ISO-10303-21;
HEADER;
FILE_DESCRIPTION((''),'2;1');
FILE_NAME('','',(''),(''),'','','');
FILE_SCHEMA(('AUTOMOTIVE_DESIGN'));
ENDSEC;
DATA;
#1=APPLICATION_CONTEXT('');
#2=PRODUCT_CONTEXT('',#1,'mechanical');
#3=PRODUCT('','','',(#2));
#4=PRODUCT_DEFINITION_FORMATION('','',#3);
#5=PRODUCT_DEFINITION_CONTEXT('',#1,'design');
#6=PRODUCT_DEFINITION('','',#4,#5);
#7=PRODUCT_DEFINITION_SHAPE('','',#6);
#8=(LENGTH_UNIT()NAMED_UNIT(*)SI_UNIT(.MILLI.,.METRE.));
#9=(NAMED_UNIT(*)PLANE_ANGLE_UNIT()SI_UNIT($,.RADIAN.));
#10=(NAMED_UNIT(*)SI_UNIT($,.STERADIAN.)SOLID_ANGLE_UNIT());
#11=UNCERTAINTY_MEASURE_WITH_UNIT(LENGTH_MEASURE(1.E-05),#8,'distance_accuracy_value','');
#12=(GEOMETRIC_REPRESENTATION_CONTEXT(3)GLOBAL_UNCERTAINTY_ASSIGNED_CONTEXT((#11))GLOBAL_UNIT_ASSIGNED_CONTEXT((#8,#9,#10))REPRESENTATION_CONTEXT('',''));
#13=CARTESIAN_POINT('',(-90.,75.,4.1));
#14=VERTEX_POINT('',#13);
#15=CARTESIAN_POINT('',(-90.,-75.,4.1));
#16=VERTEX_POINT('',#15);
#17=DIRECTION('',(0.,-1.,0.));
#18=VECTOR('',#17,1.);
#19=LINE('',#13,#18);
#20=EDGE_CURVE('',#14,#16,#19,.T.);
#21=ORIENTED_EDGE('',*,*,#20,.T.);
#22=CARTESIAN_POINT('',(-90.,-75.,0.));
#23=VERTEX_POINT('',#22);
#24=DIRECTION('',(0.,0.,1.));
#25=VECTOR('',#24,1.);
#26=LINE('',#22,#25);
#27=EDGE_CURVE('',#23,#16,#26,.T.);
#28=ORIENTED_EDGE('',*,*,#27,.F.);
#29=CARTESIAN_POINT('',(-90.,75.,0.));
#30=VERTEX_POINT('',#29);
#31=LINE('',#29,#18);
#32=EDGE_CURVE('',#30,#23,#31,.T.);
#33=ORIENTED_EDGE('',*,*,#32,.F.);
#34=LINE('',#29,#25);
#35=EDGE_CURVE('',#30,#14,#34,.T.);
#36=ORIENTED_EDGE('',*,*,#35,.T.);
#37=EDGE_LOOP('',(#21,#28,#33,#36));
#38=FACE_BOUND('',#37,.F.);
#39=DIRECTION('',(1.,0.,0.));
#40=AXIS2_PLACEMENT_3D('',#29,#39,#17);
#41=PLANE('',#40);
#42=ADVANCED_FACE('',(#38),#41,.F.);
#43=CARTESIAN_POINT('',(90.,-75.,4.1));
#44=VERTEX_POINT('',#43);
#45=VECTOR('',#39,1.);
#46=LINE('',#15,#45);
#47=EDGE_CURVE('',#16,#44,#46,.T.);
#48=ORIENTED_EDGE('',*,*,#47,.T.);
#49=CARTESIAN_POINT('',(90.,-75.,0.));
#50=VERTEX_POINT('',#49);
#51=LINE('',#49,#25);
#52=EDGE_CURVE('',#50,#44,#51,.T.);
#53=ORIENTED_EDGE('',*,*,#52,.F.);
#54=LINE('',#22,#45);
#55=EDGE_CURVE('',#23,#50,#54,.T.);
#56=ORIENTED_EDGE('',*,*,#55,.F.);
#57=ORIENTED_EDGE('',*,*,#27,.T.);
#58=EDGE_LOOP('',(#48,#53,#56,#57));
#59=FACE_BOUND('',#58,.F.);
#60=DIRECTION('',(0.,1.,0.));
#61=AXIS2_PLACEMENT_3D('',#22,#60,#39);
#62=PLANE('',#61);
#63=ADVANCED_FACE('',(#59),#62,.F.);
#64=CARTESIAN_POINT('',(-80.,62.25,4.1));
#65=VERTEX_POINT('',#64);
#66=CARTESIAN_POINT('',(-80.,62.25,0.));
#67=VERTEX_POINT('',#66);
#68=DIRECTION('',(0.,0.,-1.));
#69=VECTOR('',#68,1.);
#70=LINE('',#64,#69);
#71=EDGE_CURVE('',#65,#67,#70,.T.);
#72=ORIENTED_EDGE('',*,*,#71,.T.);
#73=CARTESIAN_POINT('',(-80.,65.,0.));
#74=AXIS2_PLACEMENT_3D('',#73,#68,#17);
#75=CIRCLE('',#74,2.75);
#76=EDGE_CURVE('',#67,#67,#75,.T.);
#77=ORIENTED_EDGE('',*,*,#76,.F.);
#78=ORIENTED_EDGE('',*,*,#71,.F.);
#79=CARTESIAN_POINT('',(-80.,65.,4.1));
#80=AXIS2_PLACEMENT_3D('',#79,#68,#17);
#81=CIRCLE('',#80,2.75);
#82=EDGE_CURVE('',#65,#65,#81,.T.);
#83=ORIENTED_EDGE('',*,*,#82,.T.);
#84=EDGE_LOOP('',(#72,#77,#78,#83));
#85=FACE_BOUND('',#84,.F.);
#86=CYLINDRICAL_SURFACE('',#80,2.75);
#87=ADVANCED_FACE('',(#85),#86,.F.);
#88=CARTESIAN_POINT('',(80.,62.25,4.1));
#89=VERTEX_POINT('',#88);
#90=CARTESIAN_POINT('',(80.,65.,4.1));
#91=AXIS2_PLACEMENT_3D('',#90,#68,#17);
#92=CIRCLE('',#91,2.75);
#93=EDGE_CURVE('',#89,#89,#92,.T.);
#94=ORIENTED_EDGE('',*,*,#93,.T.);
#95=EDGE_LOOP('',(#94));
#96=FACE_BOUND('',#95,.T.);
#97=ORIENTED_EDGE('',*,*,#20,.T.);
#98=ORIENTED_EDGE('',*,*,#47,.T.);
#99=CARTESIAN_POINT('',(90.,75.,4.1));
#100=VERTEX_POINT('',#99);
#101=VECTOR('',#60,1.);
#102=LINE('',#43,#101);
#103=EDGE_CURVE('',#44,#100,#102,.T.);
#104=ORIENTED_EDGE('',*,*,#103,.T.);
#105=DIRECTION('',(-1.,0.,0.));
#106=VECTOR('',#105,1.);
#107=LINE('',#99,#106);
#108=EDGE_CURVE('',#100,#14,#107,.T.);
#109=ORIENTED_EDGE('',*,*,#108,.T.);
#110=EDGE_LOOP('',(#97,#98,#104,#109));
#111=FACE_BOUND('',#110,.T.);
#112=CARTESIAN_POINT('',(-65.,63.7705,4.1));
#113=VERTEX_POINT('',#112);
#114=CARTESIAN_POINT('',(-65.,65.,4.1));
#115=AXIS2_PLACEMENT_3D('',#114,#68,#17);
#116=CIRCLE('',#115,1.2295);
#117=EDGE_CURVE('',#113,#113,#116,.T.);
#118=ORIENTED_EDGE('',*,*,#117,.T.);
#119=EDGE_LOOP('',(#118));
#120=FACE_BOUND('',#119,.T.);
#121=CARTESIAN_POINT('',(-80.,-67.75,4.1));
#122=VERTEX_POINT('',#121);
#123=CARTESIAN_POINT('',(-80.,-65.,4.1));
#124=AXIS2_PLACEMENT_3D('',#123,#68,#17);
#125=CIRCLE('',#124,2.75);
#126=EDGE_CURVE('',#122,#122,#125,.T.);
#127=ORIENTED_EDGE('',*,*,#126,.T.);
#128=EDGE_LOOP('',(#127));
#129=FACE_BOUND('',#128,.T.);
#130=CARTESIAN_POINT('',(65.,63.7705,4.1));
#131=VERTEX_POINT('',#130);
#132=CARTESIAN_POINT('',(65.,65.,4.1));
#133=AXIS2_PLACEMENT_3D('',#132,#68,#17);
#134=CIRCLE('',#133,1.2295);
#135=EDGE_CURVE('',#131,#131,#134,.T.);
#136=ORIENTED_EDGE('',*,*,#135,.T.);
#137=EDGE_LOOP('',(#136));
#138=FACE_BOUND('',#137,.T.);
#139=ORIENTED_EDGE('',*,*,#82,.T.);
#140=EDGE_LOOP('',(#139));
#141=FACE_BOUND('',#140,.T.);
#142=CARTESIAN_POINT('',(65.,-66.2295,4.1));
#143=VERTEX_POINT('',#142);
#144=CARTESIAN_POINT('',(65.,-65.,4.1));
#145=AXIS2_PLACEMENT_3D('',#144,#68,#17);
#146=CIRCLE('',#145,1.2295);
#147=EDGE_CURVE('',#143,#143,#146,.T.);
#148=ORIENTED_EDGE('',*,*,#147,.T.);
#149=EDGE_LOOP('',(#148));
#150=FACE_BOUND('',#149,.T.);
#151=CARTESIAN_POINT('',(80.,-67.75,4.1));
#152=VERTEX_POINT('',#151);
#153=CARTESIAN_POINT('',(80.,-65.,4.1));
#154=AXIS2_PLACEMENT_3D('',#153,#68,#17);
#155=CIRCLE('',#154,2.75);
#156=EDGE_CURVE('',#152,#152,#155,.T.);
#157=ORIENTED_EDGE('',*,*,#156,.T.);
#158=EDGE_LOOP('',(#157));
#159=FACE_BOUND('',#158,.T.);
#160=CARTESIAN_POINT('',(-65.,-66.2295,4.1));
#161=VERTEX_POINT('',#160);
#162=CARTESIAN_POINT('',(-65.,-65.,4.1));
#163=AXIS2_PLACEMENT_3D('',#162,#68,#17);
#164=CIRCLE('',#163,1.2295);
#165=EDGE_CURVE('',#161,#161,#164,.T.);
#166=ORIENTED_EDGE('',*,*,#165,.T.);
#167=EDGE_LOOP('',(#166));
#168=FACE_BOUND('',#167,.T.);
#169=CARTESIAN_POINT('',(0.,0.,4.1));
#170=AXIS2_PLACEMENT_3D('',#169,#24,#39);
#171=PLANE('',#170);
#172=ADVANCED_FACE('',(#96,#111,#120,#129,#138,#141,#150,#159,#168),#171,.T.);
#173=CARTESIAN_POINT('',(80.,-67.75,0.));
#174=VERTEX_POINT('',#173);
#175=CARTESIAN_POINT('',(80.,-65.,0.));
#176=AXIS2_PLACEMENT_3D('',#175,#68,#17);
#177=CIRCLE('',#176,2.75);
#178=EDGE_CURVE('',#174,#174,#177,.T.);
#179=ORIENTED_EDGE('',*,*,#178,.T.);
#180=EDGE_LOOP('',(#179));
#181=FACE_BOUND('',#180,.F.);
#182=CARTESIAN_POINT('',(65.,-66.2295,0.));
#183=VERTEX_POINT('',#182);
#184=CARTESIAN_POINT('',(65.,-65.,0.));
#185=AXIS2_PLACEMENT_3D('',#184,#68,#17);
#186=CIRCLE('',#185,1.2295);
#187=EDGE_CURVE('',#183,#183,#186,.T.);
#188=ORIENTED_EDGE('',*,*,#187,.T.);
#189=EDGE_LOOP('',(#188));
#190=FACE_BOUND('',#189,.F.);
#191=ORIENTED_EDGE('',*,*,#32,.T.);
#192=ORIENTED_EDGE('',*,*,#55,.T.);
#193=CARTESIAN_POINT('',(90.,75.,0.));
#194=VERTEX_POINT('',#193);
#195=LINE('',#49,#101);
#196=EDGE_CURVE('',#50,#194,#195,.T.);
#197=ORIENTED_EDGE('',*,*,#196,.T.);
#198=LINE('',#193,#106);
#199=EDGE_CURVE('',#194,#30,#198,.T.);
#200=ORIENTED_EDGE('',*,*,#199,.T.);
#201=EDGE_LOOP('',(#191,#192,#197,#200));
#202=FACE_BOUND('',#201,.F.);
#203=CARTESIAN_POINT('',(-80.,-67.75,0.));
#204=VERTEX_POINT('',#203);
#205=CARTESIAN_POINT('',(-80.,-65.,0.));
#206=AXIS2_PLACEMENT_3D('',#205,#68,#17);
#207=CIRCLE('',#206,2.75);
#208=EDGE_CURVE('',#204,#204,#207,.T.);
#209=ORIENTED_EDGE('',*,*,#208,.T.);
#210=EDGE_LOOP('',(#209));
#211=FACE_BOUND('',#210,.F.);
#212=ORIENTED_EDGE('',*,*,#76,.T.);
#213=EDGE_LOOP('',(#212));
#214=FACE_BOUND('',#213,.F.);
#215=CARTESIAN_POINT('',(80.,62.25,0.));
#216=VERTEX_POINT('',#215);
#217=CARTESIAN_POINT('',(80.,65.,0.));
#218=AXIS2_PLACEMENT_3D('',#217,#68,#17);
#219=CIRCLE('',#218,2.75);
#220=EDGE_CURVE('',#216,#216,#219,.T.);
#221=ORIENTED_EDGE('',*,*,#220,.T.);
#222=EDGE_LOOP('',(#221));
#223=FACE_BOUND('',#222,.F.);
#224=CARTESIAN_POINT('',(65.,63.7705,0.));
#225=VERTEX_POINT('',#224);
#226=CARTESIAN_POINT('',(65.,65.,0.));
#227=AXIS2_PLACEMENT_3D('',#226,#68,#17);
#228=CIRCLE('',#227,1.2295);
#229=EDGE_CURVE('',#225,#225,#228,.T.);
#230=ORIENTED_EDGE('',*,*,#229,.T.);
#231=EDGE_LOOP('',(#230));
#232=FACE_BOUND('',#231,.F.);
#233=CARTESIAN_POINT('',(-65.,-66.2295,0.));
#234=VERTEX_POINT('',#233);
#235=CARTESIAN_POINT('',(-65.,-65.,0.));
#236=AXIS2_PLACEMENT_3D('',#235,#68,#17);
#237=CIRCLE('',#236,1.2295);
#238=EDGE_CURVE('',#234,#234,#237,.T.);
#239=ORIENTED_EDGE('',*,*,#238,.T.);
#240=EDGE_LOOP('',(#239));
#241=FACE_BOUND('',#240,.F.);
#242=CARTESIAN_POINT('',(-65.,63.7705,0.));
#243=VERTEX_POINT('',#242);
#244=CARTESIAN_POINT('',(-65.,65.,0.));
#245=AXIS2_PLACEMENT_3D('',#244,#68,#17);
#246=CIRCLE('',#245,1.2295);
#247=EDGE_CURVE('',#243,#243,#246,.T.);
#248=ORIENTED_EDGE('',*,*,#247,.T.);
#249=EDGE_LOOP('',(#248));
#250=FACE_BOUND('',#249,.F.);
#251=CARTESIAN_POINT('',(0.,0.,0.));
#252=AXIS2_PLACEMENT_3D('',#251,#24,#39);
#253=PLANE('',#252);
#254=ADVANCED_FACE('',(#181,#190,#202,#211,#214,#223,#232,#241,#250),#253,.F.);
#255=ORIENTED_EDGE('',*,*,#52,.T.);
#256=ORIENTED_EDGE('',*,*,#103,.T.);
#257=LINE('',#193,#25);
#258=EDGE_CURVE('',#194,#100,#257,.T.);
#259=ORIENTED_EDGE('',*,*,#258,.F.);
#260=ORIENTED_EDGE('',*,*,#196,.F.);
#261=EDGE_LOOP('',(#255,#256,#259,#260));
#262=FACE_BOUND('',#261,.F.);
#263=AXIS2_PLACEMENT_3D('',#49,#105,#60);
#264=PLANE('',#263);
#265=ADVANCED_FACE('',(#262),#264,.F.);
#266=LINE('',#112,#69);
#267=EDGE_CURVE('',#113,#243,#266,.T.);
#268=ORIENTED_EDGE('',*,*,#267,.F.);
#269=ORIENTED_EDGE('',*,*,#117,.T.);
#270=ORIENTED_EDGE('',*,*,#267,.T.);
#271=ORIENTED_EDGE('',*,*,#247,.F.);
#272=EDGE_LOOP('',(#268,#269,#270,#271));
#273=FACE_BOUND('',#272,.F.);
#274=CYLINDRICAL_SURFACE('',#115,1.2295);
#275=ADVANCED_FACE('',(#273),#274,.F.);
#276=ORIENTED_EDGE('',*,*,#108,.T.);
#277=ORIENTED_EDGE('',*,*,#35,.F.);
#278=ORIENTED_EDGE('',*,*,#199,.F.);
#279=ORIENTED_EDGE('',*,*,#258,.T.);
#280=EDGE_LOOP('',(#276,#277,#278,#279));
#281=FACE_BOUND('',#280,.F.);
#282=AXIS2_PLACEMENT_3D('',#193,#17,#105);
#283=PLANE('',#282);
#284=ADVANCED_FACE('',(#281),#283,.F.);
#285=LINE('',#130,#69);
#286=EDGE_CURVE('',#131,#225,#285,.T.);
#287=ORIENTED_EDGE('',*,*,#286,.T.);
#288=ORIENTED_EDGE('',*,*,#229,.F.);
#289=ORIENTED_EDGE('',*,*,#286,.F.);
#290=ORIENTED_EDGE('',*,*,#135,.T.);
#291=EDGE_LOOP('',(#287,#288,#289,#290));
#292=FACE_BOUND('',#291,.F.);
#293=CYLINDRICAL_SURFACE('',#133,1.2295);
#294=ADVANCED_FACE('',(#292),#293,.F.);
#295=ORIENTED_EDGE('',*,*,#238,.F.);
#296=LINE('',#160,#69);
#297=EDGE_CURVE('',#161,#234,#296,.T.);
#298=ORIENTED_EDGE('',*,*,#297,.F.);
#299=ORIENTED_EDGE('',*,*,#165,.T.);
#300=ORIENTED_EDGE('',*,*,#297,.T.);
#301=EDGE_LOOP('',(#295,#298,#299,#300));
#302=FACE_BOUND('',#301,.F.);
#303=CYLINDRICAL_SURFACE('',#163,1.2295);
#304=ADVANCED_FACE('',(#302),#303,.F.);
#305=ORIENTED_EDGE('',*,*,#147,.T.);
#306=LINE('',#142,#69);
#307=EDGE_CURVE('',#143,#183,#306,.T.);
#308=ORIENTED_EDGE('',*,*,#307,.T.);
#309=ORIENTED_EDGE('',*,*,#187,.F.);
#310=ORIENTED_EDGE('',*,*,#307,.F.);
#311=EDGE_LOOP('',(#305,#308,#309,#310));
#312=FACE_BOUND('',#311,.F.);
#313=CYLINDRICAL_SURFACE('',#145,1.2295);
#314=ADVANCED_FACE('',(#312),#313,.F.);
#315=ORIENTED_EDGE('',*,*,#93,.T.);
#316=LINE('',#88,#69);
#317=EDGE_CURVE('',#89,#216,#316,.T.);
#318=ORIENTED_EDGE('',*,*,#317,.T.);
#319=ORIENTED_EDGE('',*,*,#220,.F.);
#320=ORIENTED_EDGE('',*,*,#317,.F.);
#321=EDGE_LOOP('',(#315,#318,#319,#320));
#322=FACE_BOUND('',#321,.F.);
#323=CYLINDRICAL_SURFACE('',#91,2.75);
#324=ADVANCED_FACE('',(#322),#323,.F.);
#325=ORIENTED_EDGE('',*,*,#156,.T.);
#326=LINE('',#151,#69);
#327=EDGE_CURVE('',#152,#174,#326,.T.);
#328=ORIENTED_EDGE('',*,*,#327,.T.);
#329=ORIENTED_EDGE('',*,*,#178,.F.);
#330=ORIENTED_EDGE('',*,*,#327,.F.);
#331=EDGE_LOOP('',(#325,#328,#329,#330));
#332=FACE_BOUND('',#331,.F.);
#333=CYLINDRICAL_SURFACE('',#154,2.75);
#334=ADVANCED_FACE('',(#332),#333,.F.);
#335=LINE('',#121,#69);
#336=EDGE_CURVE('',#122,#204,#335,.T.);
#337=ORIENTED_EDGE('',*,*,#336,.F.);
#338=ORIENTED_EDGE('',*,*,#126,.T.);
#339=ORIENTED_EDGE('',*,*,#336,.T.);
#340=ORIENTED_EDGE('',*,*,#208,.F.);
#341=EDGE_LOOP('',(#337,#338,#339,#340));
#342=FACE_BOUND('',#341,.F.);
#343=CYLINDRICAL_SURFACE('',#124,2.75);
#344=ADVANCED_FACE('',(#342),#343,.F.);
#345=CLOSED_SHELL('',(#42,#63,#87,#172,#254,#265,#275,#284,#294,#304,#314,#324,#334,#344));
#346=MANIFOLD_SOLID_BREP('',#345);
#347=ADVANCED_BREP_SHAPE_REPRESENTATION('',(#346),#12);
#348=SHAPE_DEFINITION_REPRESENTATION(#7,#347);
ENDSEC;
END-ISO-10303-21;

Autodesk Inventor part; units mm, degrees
ref_plane "YZ Plane" through (0, 0, 0) normal (1, 0, 0) x (0, 1, 0)
ref_plane "XZ Plane" through (0, 0, 0) normal (0, 1, 0) x (-1, 0, 0)
ref_plane "XY Plane" through (0, 0, 0) normal (0, 0, 1) x (1, 0, 0)
sketch "Sketch1" plane through (0, 0, 0) normal (0, 0, 1) x (1, 0, 0)
  line L0 (-90, -75) -> (90, -75)
  line L1 (90, -75) -> (90, 75)
  line L2 (90, 75) -> (-90, 75)
  line L3 (-90, 75) -> (-90, -75)
  line L4 (-90, -75) -> (90, 75) construction
  line L5 (90, -75) -> (-90, 75) construction
  point P0 (0, 0)
  dimension "d0" = 180
  dimension "d1" = 150
extrude "Extrusion1" add sketch "Sketch1" along normal blind 4.1
sketch "Sketch2" plane through (0, 0, 4.1) normal (0, 0, 1) x (1, 0, 0)
  line L0 (90, 75) -> (-90, 75) projected
  line L1 (-90, 75) -> (-90, -75) projected
  line L2 (-90, -75) -> (90, -75) projected
  line L3 (90, -75) -> (90, 75) projected
  point P0 (0, 0)
  point P1 (-80, 65)
  point P2 (80, 65)
  point P3 (80, -65)
  point P4 (-80, -65)
  dimension "d4" = 10
  dimension "d5" = 10
  dimension "d6" = 10
  dimension "d7" = 10
hole "Hole1" at (-80, 65, 4.1) at (80, 65, 4.1) at (80, -65, 4.1) at (-80, -65, 4.1) direction (0, 0, -1) diameter 5.5 depth 9.1 tip angle 118 clearance for "Flat Head Machine Screw" size "M5" standard "Ansi Metric M Profile"
sketch "Sketch3" plane through (0, 0, 4.1) normal (0, 0, 1) x (1, 0, 0)
  circle A0 centre (-80, 65) radius 2.75 projected
  circle A1 centre (80, 65) radius 2.75 projected
  circle A2 centre (-80, -65) radius 2.75 projected
  point P0 (0, 0)
  point P1 (-65, 65)
  point P2 (65, 65)
  point P3 (65, -65)
  point P4 (-65, -65)
  dimension "d15" = 15
  dimension "d16" = 15
hole "Hole2" at (-65, 65, 4.1) at (65, 65, 4.1) at (65, -65, 4.1) at (-65, -65, 4.1) direction (0, 0, -1) diameter 2.459 depth 8.8 tip angle 118 thread size "M3x0.5" class "6H" standard "ANSI Metric M Profile"
equation "\"d5\" = d4"
equation "\"d6\" = d4"
equation "\"d7\" = d4"
equation "\"d16\" = d15"
properties part number "MTLV-M02"
